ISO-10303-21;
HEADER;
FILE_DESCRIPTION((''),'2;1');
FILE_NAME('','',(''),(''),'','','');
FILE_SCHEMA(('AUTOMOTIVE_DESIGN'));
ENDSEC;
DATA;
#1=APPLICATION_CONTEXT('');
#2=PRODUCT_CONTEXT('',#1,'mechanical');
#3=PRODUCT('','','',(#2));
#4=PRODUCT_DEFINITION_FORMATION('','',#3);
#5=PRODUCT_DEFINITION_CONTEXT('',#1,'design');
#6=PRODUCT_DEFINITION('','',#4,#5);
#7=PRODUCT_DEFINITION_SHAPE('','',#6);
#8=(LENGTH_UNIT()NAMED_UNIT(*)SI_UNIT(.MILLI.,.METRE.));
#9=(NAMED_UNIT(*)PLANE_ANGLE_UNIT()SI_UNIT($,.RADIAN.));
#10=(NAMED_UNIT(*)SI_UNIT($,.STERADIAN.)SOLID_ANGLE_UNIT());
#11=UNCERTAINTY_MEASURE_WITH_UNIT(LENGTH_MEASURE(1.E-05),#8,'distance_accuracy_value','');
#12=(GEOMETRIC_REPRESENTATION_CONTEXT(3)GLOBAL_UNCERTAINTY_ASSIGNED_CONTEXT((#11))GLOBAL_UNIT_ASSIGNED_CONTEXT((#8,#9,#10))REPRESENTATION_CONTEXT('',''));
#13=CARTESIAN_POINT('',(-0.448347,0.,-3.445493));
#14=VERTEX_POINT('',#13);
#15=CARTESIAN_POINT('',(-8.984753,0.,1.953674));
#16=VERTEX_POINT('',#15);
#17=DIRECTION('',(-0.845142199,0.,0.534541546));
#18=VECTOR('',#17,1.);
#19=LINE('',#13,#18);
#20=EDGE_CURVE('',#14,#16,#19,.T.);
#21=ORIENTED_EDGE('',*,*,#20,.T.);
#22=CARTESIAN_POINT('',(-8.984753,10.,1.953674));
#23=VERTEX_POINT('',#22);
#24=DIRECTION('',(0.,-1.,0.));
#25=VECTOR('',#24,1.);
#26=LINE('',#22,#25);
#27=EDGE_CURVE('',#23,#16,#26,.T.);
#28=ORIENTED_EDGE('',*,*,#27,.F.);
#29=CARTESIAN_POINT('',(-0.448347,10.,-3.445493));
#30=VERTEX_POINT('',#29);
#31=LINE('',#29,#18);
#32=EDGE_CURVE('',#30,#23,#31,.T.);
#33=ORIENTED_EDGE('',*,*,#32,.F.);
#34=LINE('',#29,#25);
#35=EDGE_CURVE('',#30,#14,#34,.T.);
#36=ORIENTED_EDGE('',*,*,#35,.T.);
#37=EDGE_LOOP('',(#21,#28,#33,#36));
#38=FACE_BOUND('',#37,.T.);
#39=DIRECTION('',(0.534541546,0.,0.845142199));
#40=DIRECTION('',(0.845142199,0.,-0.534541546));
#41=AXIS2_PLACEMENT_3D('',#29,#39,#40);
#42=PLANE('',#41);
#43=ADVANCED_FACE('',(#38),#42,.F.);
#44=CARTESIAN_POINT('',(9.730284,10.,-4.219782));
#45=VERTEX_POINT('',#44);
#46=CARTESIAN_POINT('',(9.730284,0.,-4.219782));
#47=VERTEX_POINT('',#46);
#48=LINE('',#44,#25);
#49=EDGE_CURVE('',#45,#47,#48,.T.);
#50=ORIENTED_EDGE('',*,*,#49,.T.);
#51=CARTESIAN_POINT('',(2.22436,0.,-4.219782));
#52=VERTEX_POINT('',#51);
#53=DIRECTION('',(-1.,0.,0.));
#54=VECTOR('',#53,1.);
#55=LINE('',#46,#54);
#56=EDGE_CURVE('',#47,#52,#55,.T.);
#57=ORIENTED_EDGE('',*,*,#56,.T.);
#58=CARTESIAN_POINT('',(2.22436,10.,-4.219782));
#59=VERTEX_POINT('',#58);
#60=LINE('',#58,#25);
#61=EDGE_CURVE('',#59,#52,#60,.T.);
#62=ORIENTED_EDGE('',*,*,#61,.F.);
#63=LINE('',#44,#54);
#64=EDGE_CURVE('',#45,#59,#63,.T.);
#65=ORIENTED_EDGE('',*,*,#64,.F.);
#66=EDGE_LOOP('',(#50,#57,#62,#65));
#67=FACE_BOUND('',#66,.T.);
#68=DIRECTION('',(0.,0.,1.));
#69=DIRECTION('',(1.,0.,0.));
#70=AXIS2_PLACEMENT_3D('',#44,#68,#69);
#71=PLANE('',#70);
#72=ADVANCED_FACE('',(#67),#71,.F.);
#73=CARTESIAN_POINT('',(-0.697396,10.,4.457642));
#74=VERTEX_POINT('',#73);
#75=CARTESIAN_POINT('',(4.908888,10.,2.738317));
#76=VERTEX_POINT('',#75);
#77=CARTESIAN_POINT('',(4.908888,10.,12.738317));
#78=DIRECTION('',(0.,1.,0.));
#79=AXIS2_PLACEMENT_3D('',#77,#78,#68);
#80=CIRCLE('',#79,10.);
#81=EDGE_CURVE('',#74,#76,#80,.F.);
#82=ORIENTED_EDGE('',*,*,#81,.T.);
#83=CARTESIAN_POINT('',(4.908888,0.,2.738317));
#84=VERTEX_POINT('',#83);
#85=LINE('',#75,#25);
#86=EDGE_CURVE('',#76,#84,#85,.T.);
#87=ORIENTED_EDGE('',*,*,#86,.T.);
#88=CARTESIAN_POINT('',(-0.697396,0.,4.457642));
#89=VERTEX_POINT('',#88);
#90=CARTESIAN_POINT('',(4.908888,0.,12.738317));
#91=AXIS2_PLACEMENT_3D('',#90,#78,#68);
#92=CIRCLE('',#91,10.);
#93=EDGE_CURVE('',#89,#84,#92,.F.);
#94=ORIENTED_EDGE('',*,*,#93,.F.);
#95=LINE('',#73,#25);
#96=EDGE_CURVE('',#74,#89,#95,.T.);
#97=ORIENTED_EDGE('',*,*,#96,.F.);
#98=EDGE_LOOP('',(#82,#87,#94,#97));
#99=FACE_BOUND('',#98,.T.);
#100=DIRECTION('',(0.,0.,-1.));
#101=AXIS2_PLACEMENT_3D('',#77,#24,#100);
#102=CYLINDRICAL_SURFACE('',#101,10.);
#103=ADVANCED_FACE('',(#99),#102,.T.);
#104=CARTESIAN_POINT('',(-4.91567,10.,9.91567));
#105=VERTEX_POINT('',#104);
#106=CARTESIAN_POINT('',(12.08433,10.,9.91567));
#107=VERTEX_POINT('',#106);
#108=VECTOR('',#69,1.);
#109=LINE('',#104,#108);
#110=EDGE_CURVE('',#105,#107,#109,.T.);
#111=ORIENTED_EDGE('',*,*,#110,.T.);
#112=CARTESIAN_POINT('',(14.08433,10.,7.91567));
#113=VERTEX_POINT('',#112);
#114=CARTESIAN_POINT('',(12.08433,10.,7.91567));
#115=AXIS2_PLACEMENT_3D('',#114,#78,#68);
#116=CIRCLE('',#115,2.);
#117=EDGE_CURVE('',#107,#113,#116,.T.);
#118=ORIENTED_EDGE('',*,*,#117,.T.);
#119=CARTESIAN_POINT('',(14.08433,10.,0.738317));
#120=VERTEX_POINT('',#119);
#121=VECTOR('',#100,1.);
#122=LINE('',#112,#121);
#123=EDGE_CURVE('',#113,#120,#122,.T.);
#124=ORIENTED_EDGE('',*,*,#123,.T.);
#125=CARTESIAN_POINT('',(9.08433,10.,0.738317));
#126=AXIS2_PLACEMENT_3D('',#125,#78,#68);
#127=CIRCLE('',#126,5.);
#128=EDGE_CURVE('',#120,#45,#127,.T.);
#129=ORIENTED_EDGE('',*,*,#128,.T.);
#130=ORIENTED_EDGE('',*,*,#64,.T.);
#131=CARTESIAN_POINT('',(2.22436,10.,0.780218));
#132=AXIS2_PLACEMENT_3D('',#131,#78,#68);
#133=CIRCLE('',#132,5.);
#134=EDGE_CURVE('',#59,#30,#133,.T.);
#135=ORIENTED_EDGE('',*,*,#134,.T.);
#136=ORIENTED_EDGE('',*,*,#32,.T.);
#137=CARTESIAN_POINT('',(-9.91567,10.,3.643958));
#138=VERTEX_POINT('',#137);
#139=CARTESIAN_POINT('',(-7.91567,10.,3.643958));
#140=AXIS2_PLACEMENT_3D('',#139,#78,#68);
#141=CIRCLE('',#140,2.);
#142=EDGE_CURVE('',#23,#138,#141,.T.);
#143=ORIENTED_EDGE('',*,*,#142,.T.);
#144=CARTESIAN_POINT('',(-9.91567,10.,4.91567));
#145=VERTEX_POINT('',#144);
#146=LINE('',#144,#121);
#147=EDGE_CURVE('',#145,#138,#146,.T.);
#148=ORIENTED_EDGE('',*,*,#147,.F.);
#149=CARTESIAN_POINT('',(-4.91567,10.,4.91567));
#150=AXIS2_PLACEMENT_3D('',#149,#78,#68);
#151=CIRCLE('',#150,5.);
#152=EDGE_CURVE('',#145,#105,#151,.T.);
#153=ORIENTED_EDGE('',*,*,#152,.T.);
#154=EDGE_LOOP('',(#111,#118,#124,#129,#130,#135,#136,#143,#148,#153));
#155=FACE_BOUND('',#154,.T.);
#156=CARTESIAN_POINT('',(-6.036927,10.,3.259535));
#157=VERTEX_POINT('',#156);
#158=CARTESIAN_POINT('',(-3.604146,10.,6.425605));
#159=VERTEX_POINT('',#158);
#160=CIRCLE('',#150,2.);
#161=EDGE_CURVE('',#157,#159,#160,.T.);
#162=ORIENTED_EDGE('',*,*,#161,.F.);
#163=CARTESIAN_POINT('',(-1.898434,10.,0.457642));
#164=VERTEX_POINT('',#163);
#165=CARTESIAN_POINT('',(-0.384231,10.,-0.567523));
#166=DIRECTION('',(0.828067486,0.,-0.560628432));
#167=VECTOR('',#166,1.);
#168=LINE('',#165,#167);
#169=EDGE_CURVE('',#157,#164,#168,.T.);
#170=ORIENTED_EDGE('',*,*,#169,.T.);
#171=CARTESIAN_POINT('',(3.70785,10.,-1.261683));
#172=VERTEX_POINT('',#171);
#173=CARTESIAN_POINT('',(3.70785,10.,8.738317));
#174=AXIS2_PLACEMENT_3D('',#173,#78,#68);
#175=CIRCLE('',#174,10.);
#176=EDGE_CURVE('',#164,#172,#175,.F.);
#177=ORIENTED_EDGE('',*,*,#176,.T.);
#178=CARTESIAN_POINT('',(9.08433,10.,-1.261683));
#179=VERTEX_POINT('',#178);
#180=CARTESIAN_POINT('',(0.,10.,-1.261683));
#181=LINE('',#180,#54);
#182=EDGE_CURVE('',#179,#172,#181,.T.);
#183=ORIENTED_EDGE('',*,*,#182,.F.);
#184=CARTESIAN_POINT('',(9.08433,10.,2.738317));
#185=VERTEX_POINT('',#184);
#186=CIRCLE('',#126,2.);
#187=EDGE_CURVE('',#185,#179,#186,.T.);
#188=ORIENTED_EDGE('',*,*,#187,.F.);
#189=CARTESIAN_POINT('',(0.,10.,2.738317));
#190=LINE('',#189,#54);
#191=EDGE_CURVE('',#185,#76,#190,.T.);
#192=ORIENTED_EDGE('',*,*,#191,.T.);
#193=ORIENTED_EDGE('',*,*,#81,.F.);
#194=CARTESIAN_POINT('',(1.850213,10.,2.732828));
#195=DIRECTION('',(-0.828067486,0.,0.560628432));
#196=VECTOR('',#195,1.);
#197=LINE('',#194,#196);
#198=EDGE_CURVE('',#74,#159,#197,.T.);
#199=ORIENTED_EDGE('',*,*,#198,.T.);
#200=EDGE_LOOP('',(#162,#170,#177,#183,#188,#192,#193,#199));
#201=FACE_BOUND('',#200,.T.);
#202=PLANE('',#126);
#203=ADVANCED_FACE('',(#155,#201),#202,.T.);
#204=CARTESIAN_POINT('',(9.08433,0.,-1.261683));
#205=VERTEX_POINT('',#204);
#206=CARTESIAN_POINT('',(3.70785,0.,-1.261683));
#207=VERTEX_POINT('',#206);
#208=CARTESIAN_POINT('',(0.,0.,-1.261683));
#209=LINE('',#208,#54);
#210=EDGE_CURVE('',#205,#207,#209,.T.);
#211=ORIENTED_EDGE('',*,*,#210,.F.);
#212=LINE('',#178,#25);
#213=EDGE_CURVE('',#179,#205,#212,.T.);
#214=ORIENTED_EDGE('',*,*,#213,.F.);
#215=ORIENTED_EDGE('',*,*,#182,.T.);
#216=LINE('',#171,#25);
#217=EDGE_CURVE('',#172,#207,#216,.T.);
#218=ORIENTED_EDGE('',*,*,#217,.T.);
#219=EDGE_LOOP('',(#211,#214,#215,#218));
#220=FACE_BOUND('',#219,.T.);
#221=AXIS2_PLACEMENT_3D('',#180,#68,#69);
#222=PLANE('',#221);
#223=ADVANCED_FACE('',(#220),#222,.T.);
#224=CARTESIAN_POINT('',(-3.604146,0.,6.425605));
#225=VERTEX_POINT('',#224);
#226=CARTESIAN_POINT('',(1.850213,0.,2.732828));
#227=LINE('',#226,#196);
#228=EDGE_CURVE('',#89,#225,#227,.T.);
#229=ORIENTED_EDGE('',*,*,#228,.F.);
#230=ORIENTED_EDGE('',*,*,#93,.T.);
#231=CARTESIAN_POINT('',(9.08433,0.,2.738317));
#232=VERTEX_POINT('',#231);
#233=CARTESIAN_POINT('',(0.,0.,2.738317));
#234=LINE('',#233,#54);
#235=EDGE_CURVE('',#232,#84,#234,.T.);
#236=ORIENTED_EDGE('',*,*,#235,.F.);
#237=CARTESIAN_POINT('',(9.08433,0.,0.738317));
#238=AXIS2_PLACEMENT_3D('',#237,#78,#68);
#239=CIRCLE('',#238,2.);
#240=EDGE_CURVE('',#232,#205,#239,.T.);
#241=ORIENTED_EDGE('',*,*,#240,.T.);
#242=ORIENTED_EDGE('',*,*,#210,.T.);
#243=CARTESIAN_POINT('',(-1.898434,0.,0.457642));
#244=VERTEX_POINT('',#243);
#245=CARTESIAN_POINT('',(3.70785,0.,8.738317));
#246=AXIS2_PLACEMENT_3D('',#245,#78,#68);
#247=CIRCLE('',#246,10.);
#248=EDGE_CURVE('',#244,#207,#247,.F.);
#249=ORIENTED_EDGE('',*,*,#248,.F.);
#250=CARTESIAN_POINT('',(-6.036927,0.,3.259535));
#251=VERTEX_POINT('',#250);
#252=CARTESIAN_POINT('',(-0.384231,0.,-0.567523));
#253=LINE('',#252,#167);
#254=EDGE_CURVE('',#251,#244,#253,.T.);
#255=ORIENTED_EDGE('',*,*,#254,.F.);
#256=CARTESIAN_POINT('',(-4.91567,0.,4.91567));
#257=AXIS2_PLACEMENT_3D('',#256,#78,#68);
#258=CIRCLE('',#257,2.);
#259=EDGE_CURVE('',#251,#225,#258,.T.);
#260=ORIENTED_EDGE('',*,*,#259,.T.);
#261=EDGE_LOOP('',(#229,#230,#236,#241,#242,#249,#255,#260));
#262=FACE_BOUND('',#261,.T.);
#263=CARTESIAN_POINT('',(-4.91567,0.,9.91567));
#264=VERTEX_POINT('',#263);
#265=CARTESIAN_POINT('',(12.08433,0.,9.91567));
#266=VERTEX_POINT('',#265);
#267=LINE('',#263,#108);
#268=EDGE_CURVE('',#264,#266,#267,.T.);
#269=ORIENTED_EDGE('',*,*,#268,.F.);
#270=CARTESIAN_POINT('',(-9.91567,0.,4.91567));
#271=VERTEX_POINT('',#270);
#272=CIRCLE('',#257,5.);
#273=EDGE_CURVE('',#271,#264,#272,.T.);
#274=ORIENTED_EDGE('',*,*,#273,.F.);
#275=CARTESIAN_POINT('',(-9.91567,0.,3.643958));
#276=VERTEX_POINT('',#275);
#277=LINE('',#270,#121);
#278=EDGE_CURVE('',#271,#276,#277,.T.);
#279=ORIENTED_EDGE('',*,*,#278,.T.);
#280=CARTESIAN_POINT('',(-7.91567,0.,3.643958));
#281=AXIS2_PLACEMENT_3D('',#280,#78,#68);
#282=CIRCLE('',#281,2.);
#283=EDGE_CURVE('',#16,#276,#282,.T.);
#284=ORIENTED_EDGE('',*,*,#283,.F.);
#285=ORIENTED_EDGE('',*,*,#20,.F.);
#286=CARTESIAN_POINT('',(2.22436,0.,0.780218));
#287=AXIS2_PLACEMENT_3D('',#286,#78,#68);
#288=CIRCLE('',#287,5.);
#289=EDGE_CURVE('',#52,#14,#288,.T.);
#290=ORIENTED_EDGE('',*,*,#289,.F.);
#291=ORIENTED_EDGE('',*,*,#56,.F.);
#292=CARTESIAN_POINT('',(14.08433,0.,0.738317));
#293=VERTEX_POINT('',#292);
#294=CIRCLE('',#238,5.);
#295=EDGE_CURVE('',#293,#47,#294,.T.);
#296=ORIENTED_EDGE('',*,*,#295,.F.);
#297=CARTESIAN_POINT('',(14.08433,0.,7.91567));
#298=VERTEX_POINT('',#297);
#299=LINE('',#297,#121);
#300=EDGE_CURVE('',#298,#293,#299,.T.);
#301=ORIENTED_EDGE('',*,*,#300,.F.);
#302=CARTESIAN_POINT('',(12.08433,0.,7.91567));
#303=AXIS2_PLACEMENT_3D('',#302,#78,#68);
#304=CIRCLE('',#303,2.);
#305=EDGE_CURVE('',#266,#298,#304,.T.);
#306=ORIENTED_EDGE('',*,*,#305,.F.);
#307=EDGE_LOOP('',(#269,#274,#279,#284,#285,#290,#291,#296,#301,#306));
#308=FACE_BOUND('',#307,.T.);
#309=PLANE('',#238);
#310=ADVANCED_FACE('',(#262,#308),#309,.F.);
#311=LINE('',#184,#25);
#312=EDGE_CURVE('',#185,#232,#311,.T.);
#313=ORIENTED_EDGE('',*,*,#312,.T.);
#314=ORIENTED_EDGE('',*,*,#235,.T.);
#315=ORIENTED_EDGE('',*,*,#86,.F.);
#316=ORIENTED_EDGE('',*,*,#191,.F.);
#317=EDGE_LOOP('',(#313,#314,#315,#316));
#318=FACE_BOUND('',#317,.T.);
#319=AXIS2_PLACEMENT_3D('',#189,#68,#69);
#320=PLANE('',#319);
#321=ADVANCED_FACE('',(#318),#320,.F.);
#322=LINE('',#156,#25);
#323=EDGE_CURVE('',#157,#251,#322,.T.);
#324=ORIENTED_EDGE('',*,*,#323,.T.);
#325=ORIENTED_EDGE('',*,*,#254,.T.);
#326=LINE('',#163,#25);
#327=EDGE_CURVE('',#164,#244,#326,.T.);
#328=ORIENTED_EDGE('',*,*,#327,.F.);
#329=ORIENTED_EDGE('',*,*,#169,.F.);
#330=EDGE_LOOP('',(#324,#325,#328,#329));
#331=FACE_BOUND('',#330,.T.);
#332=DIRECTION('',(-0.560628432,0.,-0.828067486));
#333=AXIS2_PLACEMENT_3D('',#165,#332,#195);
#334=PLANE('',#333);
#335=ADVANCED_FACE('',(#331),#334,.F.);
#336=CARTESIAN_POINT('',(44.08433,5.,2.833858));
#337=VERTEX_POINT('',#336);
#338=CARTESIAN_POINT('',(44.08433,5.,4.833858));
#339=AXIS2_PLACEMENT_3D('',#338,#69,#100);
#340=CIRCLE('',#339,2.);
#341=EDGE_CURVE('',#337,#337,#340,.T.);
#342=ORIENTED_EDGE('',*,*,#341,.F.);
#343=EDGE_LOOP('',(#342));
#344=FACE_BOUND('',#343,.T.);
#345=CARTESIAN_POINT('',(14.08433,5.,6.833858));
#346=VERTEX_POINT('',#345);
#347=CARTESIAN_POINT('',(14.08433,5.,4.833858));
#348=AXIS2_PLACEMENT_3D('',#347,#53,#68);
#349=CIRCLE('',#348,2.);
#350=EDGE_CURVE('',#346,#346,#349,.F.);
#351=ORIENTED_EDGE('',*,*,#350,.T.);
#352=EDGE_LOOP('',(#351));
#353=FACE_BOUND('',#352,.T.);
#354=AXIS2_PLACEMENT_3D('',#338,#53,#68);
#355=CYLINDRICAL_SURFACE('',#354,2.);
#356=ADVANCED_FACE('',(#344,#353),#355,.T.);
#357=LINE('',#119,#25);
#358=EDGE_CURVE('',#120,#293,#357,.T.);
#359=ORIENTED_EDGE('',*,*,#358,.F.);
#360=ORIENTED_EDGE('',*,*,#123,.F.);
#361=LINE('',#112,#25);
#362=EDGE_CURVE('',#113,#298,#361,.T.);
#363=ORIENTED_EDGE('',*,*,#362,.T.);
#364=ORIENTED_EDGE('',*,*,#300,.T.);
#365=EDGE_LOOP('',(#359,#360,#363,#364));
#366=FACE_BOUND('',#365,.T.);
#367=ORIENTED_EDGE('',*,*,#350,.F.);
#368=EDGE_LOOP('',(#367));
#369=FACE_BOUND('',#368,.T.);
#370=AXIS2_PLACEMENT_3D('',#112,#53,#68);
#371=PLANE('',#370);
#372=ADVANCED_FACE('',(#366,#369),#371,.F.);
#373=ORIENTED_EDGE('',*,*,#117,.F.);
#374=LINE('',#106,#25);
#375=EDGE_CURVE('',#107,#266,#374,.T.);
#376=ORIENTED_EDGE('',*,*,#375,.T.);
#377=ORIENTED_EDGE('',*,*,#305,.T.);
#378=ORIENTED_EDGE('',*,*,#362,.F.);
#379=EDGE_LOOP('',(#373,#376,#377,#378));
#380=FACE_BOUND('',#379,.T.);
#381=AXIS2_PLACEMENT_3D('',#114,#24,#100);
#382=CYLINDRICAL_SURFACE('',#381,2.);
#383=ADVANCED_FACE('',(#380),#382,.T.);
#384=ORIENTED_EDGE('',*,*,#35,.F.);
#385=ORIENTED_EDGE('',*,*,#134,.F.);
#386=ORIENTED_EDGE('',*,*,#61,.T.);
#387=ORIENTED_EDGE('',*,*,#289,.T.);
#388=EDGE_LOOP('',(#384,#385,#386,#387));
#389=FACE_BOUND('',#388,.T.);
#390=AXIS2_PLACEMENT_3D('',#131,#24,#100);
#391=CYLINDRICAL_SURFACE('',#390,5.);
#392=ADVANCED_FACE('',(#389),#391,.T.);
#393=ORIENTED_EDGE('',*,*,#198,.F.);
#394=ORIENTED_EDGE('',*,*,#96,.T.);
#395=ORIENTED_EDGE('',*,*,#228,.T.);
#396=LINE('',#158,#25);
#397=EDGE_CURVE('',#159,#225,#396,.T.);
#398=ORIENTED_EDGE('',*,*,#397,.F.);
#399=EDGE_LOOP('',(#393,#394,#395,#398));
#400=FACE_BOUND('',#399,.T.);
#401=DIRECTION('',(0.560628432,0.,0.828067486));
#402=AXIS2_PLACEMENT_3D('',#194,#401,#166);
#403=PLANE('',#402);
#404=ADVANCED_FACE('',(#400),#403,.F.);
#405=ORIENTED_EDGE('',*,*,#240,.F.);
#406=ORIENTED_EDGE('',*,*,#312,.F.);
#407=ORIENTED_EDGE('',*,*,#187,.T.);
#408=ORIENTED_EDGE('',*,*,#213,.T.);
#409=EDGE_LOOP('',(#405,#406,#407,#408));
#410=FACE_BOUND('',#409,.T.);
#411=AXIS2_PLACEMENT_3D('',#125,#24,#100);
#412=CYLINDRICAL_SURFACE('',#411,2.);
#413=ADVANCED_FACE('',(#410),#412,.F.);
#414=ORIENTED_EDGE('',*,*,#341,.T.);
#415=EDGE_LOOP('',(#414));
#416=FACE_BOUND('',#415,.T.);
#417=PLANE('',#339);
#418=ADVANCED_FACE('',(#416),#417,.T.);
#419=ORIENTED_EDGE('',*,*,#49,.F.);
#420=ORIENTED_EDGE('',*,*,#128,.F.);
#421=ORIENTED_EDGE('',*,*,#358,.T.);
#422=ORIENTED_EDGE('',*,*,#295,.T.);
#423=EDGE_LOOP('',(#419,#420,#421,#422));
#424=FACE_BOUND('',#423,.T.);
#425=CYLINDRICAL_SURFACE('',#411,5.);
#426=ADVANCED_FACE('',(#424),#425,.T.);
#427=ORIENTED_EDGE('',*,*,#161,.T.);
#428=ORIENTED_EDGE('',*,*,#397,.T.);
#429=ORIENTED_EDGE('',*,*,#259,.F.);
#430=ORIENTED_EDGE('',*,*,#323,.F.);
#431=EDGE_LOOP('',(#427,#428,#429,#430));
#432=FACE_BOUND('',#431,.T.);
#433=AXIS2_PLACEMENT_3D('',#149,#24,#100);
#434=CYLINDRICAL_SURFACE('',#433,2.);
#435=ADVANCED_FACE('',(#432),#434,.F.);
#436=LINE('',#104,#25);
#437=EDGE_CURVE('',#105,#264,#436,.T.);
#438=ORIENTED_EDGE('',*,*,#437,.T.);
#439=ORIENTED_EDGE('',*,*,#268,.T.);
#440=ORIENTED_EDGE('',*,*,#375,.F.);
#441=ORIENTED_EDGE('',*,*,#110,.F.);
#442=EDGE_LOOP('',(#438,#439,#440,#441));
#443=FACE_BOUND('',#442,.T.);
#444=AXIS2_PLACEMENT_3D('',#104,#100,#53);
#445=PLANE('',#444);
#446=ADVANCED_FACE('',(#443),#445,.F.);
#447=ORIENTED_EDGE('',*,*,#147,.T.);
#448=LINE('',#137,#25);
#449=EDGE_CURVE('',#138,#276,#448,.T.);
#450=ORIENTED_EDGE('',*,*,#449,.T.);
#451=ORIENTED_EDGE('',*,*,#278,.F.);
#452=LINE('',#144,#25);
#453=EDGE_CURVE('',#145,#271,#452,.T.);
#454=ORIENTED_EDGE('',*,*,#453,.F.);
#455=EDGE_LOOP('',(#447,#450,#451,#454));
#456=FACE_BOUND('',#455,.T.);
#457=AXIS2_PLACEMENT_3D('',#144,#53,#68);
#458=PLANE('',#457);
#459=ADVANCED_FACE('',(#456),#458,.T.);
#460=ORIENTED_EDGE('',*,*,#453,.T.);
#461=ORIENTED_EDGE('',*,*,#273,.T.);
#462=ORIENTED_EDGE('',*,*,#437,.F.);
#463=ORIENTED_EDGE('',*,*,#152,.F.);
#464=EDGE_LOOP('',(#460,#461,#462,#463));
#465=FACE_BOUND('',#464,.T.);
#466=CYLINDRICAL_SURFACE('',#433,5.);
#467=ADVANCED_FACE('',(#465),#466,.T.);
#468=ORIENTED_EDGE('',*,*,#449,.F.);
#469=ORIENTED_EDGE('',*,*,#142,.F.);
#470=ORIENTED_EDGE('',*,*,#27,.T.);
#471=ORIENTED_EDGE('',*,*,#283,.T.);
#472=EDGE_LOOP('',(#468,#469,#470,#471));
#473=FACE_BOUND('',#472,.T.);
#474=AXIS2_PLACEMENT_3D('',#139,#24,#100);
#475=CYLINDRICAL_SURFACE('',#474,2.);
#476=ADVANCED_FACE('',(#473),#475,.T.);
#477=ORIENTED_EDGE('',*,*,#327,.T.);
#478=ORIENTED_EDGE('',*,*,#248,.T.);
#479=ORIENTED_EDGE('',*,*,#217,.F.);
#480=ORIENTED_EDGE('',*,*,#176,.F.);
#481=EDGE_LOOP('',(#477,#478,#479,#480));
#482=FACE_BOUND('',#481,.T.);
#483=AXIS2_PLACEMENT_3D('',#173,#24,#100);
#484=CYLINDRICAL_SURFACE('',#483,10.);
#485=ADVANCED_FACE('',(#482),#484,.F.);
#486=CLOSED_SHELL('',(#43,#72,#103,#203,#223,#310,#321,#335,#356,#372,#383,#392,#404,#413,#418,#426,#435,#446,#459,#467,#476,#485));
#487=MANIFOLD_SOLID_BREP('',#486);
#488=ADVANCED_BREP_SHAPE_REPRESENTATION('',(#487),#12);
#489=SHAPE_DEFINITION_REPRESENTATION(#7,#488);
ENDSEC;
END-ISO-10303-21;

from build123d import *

# Parameters (mm, degrees)
BOSS_EXTRUDE1_DEPTH = 10
SKETCH2_R           = 2
BOSS_EXTRUDE2_DEPTH = 30


with BuildPart() as part:
    # Sketch1 → Boss-Extrude1 (new body)
    with BuildSketch(Plane(origin=(0, 0, 0), x_dir=(1, 0, 0), z_dir=(0, 1, 0))):
        with BuildLine():
            Line((-4.915670141, -9.915670141), (12.084329859, -9.915670141))
            ThreePointArc((12.084329859, -9.915670141), (13.498543421, -9.329883704), (14.084329859, -7.915670141))
            Line((14.084329859, -7.915670141), (14.084329859, -0.738316599))
            ThreePointArc((14.084329859, -0.738316599), (12.841308154, 2.560943028), (9.730284223, 4.219782125))
            Line((9.730284223, 4.219782125), (2.224360471, 4.219782125))
            ThreePointArc((2.224360471, 4.219782125), (0.833058018, 4.022310364), (-0.448347257, 3.445493118))
            Line((-0.448347257, 3.445493118), (-8.984753233, -1.953673617))
            ThreePointArc((-8.984753233, -1.953673617), (-9.667550015, -2.67911766), (-9.915670141, -3.643958014))
            Line((-9.915670141, -3.643958014), (-9.915670141, -4.915670141))
            ThreePointArc((-9.915670141, -4.915670141), (-8.451204047, -8.451204047), (-4.915670141, -9.915670141))
        make_face()
        with BuildLine():
            Line((-6.036927005, -3.259535169), (-1.898433993, -0.45764174))
            ThreePointArc((-1.898433993, -0.45764174), (0.775850036, 0.822194595), (3.707850327, 1.261683401))
            Line((3.707850327, 1.261683401), (9.084329859, 1.261683401))
            ThreePointArc((9.084329859, 1.261683401), (11.084329859, -0.738316599), (9.084329859, -2.738316599))
            Line((9.084329859, -2.738316599), (4.908888201, -2.738316599))
            ThreePointArc((4.908888201, -2.738316599), (1.976887911, -3.177805405), (-0.697396118, -4.45764174))
            Line((-0.697396118, -4.45764174), (-3.604145519, -6.425604963))
            ThreePointArc((-3.604145519, -6.425604963), (-6.501561039, -6.134255412), (-6.036927005, -3.259535169))
        make_face(mode=Mode.SUBTRACT)
    extrude(amount=BOSS_EXTRUDE1_DEPTH)

    # Sketch2 → Boss-Extrude2 (add)
    with BuildSketch(Plane(origin=(14.084329859, 0, 0), x_dir=(0, 0, -1), z_dir=(1, 0, 0))):
        with Locations(Location((-4.833857575, 5, 0), (0, 0, 180))):
            Circle(SKETCH2_R)
    extrude(amount=BOSS_EXTRUDE2_DEPTH)


solid = part.part
